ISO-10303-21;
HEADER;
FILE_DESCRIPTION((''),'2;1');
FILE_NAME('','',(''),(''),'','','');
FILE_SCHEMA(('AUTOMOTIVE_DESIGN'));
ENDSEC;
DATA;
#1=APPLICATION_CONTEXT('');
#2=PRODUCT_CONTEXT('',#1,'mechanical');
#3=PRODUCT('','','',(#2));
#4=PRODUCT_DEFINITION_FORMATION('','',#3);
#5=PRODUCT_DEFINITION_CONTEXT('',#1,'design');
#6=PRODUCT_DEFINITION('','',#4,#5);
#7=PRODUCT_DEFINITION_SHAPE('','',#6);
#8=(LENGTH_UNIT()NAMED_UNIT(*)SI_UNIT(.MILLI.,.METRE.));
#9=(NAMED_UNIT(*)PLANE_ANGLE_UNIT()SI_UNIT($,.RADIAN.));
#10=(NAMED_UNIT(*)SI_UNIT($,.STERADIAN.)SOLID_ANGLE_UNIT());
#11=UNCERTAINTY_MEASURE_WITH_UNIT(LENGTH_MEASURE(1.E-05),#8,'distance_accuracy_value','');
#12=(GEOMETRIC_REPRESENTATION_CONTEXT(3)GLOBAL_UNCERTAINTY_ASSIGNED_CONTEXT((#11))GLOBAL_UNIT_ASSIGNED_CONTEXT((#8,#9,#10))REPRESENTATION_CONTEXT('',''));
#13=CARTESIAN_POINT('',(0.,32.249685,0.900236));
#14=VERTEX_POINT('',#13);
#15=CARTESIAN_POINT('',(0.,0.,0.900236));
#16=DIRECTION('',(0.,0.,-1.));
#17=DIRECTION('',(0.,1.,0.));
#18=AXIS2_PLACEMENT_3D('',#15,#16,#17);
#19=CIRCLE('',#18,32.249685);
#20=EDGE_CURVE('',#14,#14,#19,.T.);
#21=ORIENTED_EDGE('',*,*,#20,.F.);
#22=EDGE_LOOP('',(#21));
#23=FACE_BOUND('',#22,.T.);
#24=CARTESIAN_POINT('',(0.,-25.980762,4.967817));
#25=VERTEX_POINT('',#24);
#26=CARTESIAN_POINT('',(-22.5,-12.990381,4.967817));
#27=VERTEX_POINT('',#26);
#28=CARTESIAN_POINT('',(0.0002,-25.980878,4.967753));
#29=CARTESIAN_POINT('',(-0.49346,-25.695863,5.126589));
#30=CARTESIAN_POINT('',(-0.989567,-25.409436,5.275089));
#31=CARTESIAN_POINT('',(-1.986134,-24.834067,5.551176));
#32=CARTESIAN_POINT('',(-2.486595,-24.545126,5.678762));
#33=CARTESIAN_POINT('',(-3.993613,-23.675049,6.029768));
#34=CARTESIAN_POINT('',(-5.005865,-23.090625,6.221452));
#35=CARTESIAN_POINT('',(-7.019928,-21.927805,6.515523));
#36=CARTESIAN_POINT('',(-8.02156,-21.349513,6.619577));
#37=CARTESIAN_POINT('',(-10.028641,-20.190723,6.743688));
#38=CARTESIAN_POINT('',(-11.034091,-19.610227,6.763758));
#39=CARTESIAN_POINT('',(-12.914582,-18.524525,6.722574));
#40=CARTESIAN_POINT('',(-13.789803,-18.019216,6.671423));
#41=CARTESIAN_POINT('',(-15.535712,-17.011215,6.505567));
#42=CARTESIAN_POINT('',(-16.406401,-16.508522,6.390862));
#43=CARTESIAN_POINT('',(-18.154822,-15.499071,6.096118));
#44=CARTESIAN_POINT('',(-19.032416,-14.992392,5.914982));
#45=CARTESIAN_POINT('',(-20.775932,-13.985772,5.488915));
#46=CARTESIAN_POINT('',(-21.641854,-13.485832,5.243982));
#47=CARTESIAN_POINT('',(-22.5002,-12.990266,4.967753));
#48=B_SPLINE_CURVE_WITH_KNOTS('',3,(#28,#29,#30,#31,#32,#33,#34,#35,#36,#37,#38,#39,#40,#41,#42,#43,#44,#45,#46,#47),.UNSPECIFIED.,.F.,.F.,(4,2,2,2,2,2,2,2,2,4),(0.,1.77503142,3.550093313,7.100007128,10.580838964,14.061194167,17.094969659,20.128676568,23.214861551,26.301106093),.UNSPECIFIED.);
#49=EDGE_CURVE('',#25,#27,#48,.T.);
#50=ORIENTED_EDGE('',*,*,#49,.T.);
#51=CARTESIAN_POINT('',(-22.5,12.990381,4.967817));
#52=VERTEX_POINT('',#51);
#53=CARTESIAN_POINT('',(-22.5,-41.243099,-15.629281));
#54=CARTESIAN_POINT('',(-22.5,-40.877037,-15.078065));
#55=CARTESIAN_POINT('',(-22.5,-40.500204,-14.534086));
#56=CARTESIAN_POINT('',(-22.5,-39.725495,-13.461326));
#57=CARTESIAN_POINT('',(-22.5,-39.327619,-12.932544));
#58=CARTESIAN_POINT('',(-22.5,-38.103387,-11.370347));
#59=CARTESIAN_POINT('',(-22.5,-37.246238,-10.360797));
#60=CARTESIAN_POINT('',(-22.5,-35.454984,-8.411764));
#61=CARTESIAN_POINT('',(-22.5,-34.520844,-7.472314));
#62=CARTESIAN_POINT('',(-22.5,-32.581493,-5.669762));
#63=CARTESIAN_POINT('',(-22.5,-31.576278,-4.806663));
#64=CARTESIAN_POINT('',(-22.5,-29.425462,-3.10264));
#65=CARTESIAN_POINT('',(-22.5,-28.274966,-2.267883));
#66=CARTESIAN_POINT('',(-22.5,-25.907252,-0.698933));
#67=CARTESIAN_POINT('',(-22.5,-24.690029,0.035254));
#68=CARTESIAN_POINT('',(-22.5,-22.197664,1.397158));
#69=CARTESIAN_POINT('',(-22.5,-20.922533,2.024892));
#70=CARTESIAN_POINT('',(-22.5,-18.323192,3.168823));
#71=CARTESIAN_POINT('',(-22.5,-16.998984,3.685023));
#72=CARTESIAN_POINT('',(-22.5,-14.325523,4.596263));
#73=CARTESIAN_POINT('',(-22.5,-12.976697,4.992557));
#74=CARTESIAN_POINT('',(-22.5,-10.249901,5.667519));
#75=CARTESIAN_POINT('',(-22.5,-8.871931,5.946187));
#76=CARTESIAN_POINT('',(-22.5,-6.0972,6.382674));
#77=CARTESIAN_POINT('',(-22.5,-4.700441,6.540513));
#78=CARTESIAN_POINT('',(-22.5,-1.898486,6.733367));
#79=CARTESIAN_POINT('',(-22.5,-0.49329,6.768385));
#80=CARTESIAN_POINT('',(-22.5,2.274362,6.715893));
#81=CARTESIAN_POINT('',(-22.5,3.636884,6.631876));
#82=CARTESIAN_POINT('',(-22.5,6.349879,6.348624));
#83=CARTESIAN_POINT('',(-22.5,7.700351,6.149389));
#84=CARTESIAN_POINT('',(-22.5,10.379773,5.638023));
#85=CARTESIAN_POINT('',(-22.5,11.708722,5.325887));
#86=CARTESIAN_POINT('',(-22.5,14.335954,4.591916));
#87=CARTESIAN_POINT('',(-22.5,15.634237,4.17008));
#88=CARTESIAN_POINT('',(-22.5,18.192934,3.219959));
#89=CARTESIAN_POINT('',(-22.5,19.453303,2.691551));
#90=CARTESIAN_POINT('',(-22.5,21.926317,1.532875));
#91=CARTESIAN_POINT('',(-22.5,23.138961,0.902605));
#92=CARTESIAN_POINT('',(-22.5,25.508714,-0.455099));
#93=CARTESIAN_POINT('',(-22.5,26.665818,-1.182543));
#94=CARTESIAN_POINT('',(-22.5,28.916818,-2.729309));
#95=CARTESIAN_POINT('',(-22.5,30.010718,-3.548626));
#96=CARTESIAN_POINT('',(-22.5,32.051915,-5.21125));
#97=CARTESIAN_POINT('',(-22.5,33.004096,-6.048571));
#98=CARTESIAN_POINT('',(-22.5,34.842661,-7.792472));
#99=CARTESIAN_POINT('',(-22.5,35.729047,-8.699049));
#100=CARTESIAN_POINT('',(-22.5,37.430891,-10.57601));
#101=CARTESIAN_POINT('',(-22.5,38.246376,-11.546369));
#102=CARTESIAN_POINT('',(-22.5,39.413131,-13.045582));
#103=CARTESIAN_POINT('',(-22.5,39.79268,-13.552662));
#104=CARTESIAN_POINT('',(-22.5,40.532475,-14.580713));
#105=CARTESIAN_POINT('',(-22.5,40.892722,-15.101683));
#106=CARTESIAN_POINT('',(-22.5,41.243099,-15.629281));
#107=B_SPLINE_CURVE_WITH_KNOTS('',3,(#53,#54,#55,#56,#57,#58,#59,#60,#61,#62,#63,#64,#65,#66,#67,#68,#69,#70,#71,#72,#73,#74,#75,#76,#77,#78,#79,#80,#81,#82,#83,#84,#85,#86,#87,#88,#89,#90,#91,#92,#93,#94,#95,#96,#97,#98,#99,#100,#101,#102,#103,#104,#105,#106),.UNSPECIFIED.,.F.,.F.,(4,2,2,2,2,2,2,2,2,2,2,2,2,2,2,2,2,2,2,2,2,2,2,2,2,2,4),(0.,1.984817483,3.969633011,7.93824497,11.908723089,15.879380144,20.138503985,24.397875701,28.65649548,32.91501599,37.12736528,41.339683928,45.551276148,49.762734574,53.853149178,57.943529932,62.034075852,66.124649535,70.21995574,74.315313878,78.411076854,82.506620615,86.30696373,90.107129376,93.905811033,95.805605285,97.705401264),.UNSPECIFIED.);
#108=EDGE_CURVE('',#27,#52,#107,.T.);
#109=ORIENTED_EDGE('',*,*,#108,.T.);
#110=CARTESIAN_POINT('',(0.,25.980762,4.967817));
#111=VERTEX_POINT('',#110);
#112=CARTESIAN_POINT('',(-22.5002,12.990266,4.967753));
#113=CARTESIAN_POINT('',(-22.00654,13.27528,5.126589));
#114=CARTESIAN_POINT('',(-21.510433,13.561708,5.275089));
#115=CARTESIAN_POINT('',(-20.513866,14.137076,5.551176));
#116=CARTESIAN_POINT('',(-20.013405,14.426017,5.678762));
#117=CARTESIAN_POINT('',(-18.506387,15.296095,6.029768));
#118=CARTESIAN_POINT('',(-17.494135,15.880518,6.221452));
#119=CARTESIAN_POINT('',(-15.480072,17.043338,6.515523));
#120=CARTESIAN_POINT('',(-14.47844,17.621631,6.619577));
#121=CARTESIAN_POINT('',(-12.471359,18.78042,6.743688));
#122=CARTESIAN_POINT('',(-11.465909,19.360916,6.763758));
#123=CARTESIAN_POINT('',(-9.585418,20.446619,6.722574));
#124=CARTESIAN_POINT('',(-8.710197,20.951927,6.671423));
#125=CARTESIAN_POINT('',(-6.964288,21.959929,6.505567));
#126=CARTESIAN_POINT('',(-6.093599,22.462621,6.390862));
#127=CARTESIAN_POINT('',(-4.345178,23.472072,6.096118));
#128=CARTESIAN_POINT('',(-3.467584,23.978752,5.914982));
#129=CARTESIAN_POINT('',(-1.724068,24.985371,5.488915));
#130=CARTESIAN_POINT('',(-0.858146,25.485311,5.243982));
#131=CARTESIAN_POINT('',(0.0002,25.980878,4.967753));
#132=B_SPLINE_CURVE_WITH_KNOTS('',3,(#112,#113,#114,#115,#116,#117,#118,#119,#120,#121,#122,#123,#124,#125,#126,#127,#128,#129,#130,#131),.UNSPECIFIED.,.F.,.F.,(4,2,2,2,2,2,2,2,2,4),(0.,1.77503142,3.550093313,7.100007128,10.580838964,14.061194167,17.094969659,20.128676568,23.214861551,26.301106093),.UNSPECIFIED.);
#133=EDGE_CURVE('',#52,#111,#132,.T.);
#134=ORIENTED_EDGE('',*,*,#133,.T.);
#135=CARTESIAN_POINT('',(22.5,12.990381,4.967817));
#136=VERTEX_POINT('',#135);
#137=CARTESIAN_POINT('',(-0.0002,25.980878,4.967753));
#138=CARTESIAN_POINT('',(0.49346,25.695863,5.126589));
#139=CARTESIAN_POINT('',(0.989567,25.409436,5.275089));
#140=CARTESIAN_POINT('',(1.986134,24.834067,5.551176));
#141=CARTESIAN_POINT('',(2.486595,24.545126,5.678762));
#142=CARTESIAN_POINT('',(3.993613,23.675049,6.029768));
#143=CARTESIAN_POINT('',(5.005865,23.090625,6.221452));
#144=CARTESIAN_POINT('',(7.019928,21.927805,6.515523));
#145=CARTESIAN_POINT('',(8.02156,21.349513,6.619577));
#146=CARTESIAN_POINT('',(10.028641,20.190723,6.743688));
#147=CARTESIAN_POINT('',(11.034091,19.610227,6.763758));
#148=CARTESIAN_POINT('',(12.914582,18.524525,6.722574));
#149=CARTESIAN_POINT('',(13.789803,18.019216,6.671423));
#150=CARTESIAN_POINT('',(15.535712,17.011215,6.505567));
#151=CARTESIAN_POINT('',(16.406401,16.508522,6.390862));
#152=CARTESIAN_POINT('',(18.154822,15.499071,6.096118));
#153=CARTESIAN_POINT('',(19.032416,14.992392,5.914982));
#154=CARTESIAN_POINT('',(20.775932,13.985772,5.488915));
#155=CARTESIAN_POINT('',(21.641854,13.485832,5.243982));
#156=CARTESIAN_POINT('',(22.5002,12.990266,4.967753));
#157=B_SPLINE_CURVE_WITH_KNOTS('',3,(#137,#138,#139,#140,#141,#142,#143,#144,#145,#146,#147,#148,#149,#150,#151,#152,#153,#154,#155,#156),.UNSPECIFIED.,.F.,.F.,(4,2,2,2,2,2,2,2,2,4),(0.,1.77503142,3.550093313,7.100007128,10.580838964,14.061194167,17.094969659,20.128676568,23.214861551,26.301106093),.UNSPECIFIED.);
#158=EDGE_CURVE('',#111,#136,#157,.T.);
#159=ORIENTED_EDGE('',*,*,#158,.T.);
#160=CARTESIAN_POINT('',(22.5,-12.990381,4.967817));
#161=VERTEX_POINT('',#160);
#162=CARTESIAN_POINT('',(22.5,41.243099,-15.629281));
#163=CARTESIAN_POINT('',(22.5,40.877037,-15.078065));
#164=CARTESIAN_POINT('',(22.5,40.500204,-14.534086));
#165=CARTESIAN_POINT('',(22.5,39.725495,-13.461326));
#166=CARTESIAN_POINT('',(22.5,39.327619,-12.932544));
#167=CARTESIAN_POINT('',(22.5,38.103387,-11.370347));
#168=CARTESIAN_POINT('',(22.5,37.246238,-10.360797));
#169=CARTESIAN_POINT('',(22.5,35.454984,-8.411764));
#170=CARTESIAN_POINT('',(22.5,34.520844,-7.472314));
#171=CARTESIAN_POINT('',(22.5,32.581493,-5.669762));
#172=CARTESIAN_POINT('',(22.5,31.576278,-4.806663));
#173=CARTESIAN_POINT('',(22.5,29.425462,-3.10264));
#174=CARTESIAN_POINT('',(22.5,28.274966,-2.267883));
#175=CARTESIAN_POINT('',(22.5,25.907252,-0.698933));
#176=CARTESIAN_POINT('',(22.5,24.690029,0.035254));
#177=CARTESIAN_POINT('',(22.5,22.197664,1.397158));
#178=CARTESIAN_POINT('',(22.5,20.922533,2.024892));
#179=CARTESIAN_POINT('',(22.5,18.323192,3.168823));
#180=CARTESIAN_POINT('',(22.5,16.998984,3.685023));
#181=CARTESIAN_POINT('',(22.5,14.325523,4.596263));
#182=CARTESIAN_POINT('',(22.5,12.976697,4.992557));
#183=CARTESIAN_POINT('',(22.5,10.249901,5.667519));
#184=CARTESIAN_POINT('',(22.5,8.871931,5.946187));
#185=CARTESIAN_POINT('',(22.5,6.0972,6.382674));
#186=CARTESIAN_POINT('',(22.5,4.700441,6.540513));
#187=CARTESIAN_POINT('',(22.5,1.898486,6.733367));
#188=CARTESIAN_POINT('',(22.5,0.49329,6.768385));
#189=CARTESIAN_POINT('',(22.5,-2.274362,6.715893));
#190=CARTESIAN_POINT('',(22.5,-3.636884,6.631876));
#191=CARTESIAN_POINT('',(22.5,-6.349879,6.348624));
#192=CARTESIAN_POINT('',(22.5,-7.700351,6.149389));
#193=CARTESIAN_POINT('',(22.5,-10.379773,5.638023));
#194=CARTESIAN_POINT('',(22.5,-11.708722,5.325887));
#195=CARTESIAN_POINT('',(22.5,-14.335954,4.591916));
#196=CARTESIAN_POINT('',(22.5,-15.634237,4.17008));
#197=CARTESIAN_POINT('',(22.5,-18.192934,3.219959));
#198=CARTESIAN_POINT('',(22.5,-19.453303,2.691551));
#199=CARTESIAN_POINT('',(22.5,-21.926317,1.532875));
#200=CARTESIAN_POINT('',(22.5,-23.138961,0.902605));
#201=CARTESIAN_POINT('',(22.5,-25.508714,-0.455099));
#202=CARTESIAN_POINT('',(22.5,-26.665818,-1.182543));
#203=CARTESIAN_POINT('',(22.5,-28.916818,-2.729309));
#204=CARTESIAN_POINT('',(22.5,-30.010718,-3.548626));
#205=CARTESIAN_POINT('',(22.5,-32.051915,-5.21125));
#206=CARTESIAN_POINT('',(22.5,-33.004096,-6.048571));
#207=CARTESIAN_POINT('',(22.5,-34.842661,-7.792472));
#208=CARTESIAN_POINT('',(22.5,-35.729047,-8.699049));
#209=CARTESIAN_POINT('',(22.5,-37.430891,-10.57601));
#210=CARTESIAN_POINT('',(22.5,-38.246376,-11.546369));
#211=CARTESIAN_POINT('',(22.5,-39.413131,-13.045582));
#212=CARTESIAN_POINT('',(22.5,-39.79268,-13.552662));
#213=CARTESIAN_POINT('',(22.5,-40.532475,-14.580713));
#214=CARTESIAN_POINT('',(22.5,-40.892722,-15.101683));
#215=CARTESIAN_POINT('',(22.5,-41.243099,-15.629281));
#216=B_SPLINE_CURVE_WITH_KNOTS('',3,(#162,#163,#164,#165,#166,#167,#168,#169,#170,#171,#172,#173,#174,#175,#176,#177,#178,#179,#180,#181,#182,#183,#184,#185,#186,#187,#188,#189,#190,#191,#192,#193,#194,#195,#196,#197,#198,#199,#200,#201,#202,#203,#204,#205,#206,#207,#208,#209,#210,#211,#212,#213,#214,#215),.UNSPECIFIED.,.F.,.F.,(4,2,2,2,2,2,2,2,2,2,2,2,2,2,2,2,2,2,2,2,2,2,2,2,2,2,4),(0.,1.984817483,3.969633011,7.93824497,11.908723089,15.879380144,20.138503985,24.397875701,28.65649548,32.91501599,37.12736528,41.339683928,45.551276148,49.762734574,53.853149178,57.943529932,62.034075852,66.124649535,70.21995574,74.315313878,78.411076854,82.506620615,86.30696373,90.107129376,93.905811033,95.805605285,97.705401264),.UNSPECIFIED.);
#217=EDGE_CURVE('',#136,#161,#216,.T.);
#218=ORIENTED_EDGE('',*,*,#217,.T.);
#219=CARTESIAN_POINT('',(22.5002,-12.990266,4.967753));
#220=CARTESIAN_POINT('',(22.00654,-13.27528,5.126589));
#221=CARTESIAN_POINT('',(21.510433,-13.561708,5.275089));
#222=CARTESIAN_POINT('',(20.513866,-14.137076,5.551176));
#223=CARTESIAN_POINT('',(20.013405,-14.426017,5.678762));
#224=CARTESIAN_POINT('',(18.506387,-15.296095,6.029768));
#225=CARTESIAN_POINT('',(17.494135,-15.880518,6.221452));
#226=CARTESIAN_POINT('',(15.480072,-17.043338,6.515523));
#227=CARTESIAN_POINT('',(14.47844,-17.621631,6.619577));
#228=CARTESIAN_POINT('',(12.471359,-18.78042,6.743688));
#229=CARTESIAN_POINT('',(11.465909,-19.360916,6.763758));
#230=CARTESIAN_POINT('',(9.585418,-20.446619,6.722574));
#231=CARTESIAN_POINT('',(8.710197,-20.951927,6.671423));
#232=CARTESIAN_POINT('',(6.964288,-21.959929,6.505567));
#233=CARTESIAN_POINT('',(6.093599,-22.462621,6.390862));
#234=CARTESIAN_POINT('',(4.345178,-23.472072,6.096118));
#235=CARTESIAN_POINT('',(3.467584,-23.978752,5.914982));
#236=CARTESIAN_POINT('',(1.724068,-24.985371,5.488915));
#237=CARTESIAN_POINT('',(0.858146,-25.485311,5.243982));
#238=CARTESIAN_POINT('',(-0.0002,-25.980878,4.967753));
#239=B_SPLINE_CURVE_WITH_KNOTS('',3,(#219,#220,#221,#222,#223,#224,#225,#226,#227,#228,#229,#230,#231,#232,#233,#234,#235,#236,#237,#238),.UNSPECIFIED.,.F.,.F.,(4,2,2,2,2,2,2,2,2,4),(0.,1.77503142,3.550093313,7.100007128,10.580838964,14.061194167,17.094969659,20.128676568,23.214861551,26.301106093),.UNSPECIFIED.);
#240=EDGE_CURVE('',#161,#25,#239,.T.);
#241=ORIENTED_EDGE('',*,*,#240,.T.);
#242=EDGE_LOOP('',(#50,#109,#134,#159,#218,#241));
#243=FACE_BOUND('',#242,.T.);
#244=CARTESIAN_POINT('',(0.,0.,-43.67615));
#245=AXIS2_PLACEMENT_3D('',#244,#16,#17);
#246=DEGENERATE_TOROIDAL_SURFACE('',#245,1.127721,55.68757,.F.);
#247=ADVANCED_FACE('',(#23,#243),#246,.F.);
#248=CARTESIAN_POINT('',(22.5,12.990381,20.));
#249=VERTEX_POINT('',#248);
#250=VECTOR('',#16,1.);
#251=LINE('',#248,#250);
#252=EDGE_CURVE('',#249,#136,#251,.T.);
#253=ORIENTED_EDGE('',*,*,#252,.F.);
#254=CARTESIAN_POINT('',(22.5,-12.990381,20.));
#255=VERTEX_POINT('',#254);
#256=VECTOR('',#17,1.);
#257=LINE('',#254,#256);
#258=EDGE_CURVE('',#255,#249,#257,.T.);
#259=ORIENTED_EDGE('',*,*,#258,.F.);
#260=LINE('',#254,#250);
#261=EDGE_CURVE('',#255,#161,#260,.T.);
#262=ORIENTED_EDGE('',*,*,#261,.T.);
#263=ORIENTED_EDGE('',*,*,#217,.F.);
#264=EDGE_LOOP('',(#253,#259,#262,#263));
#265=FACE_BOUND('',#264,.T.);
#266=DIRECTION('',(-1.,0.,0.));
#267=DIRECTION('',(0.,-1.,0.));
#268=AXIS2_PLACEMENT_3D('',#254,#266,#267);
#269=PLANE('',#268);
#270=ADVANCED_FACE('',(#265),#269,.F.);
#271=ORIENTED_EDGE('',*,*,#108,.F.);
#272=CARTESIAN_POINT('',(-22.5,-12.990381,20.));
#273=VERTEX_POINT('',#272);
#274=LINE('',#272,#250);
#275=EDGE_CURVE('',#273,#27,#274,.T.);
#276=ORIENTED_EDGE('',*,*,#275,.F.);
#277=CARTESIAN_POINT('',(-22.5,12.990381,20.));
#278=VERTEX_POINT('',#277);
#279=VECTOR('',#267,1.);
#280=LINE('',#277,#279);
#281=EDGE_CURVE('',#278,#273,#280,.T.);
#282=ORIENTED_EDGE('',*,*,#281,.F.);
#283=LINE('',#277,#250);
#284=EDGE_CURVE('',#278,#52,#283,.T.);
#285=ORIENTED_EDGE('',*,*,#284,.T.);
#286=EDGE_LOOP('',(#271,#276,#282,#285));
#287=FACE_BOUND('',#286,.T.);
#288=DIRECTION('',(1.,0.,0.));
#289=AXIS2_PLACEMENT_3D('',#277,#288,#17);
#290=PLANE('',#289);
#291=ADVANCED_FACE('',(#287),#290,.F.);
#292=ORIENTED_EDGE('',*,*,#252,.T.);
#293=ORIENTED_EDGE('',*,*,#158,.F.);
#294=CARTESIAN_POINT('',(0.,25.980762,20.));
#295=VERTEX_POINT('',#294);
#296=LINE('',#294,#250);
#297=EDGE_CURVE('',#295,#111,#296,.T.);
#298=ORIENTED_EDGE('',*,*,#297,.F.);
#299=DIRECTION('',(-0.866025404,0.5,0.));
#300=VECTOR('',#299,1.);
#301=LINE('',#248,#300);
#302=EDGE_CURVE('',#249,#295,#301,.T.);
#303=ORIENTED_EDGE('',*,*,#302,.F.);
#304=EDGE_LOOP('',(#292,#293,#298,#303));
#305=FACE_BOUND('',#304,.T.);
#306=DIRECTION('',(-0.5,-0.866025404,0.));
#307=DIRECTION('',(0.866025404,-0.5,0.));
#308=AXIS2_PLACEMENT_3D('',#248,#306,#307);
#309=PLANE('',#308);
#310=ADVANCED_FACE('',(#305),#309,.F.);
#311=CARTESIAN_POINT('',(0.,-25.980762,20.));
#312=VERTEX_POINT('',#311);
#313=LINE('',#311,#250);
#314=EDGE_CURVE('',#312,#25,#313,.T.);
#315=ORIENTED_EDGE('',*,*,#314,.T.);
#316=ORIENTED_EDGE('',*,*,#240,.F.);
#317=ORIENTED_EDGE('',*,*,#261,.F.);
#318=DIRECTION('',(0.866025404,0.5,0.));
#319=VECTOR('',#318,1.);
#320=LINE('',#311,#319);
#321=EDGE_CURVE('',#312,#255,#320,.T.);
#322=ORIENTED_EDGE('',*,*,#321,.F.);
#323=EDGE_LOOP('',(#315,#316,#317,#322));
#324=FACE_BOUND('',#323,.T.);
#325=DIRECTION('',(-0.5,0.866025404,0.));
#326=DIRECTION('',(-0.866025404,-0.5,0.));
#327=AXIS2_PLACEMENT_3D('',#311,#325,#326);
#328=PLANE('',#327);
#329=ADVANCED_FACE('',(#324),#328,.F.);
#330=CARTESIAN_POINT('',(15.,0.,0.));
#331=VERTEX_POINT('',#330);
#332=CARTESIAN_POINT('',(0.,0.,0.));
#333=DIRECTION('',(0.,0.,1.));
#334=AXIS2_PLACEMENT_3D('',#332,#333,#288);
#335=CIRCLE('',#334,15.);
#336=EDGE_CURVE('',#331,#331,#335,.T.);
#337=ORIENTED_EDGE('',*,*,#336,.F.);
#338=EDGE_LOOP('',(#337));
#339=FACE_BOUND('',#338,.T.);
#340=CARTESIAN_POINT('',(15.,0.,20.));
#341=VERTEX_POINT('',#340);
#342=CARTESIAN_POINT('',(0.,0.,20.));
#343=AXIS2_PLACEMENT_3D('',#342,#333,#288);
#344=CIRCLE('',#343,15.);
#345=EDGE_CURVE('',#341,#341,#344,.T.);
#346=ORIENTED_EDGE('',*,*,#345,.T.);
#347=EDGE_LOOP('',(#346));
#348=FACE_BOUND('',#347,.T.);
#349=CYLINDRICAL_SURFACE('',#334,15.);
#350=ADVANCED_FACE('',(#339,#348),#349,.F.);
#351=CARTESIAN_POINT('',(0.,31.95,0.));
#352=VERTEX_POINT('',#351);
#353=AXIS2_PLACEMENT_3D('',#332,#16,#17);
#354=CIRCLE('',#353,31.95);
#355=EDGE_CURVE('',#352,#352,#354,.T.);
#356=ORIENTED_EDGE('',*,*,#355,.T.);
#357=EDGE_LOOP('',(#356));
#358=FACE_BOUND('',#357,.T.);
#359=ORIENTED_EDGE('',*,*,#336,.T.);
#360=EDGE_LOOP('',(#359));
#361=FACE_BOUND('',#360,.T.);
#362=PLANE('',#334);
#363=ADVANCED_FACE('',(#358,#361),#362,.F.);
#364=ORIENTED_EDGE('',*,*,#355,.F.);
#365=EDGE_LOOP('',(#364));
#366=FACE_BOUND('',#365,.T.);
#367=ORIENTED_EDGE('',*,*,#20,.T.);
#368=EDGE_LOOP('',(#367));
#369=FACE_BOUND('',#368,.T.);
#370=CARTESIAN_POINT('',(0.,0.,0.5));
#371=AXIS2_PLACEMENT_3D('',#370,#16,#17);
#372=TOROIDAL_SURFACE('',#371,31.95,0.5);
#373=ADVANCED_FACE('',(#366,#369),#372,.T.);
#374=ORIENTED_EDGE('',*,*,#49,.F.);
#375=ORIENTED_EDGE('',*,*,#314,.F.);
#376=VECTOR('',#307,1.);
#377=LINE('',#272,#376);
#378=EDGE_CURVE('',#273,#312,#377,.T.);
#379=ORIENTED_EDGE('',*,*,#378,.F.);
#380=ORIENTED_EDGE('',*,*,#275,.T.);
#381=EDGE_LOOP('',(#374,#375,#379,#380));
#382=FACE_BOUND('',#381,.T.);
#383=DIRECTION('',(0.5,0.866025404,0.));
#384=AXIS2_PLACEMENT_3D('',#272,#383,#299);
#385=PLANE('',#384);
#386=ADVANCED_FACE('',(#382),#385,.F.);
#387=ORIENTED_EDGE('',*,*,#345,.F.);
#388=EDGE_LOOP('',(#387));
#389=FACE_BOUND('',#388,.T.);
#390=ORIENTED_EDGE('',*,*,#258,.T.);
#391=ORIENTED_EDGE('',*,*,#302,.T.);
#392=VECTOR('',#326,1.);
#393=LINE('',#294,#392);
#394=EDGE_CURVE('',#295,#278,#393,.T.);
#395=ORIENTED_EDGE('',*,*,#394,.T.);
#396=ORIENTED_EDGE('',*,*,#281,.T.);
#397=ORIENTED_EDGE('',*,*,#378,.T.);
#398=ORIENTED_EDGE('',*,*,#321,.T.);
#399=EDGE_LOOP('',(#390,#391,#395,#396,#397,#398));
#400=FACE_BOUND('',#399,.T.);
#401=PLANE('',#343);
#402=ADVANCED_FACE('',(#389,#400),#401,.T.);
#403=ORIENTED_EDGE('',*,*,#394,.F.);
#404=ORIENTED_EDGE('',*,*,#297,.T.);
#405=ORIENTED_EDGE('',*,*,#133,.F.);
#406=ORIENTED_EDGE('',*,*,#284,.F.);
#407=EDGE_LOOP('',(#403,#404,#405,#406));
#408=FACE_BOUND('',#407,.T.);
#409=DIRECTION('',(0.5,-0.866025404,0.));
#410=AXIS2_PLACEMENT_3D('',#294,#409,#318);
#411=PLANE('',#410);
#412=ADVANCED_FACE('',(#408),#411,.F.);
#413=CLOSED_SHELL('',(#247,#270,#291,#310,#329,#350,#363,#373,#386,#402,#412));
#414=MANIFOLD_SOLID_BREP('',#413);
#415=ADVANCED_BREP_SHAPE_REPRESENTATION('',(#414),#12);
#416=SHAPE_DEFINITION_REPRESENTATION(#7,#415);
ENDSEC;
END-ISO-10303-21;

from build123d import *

# Parameters (mm, degrees)
BOSS_EXTRUDE2_DEPTH = 20
SKETCH3_R           = 15
CUT_EXTRUDE1_DEPTH  = 51.060014113


with BuildPart() as part:
    # Sketch1 → Boss-Extrude2 (new body)
    with BuildSketch(Plane.XY):
        Polygon((22.5, 12.990381057), (0, 25.980762114), (-22.5, 12.990381057), (-22.5, -12.990381057), (0, -25.980762114), (22.5, -12.990381057), align=None)
    extrude(amount=BOSS_EXTRUDE2_DEPTH)

    # Sketch2 → Revolve1 (revolve)
    with BuildSketch(Plane(origin=(0, 0, 0), x_dir=(0, 0, -1), z_dir=(1, 0, 0)), mode=Mode.PRIVATE) as revolve1_sk:
        with BuildLine():
            Line((0, 0), (-12, 0))
            ThreePointArc((-12, 0), (-8.979840166, -16.995527234), (-0.900236414, -32.249684523))
            ThreePointArc((-0.900236414, -32.249684523), (-0.342073129, -32.424403945), (0, -31.95))
            Line((0, -31.95), (0, 0))
        make_face()
    revolve(revolve1_sk.sketch.rotate(Axis((0, 0, 0), (0, 0, 1)), 180), axis=Axis((0, 0, 0), (0, 0, 1)))

    # Sketch3 → Cut-Extrude1 (cut, through all)
    with BuildSketch(Plane.XY.offset(20)):
        Circle(SKETCH3_R)
    extrude(amount=-CUT_EXTRUDE1_DEPTH, mode=Mode.SUBTRACT)


solid = part.part
